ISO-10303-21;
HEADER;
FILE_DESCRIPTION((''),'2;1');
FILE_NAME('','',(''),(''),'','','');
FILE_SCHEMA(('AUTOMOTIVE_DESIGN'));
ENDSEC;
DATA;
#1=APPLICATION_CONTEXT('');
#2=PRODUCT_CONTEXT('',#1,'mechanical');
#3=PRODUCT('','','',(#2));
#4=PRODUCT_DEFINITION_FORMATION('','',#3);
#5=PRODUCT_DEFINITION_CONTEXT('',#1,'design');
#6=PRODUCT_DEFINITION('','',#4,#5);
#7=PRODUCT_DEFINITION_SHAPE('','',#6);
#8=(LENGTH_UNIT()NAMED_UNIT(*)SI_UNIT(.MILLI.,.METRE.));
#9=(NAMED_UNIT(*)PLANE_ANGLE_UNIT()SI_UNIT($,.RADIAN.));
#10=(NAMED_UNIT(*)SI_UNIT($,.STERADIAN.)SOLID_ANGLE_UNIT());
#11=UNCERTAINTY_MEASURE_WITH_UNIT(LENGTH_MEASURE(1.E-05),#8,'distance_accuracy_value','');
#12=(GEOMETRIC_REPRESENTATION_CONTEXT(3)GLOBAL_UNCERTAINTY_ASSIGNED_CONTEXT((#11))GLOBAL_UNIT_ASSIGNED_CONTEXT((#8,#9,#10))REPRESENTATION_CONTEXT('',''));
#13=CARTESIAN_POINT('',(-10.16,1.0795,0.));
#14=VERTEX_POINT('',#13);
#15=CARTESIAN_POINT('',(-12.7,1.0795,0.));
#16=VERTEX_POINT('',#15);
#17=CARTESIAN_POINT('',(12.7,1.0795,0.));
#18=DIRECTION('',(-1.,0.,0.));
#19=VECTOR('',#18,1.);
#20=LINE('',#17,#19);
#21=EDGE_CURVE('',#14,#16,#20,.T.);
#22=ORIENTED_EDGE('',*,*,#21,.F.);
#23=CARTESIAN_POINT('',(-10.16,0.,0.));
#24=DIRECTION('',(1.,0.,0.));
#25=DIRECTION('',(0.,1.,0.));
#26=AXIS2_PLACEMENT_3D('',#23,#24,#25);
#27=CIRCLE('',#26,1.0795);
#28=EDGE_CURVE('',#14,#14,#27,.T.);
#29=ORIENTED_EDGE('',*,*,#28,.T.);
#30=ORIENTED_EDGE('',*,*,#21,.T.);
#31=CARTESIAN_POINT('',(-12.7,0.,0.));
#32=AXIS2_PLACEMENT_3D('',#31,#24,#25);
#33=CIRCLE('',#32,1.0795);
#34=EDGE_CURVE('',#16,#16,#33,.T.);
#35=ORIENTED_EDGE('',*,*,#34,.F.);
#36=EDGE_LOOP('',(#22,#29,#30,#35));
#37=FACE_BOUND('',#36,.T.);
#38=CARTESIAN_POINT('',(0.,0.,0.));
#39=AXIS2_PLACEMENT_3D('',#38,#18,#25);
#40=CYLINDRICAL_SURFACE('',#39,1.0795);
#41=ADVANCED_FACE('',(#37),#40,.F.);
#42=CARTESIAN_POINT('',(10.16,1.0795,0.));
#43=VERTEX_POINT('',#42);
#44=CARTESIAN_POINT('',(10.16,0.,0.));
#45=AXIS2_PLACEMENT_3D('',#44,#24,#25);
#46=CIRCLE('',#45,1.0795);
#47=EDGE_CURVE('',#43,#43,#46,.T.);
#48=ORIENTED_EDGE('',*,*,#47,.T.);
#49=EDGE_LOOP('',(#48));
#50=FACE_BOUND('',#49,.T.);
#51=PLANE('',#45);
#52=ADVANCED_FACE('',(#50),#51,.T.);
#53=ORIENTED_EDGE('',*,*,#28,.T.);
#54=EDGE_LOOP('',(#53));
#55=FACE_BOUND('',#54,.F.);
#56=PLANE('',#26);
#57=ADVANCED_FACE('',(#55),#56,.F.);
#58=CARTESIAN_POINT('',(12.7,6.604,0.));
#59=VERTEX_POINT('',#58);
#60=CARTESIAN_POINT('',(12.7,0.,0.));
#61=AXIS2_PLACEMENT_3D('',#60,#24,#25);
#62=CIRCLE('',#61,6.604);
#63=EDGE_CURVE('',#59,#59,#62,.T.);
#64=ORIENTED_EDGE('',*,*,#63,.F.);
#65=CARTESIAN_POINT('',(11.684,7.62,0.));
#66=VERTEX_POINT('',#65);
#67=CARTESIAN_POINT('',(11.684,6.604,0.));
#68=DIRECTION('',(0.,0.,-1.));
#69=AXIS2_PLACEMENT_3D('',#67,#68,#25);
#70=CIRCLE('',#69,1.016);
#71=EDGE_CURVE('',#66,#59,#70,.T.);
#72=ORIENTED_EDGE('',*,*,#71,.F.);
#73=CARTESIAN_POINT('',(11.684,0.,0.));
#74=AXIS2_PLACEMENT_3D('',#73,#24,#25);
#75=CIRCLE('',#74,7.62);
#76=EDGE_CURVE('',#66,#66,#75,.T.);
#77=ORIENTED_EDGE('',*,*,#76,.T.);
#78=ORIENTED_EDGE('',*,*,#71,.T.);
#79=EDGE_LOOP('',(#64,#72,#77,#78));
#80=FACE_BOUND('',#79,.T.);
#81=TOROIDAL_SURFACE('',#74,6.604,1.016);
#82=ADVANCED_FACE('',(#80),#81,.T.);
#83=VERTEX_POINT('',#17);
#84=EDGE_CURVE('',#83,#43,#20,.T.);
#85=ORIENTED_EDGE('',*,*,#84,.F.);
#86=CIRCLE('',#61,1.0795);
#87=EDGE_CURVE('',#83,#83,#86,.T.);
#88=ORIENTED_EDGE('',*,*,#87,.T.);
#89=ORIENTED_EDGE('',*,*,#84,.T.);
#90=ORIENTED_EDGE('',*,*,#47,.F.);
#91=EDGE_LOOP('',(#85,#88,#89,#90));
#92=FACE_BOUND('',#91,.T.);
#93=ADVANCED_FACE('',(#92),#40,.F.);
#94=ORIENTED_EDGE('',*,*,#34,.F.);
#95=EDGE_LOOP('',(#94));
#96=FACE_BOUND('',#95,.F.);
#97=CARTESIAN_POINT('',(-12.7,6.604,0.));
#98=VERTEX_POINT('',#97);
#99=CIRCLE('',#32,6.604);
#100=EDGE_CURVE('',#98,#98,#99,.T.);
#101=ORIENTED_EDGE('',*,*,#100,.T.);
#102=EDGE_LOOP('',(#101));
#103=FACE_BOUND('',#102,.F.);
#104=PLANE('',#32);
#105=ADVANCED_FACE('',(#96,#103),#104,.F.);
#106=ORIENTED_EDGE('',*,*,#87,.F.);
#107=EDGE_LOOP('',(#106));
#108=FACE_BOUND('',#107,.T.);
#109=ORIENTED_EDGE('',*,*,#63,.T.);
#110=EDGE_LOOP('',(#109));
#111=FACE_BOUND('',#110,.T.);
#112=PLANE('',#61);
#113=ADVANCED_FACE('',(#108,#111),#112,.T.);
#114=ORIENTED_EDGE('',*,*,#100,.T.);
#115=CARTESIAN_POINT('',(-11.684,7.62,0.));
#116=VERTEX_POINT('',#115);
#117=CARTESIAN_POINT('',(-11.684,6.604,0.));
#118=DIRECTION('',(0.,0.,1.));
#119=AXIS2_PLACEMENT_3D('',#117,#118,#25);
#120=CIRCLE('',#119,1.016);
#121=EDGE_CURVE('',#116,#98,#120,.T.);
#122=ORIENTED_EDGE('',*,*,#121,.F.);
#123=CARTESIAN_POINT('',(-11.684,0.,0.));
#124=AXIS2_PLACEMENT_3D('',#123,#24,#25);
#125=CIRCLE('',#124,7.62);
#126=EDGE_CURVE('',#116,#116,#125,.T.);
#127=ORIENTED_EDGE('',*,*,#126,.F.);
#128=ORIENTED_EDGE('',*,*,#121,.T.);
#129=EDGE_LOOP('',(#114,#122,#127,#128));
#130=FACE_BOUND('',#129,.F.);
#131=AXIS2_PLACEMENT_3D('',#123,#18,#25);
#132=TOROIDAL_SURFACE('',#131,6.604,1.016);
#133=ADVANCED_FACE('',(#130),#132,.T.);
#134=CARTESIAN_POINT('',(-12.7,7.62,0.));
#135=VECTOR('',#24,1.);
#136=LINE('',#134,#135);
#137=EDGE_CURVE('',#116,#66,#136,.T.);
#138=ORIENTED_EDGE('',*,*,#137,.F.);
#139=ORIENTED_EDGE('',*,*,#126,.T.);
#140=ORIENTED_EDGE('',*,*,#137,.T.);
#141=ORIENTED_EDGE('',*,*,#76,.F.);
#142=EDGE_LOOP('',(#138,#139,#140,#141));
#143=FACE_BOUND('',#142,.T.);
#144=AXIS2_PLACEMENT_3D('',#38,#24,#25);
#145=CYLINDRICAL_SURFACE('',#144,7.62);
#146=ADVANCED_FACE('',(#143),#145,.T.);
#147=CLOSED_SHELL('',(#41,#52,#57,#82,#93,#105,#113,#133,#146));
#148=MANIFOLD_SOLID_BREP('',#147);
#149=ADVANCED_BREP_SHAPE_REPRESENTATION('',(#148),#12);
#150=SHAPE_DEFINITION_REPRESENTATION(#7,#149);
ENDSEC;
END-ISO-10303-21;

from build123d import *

# Parameters (mm, degrees)
F0_R     = 7.62
F0_R_2   = 1.0795
F1_DEPTH = 12.7
F2_DEPTH = 10.16
F3_R     = 1.016


with BuildPart() as f1:
    # F0 (on Right) → F1 (new body, symmetric)
    with BuildSketch(Plane.YZ):
        Circle(F0_R)
        Circle(F0_R_2, mode=Mode.SUBTRACT)
    extrude(amount=F1_DEPTH, both=True)

    # F0 (on Right) → F2 (join, symmetric)
    with BuildSketch(Plane.YZ):
        Circle(F0_R_2)
    extrude(amount=F2_DEPTH, both=True)

    # F3
    f3_edges = [f1.edges().sort_by_distance(p)[0] for p in [
        (12.7, -7.62, 0),
        (-12.7, -7.62, 0),
    ]]
    fillet(f3_edges, radius=F3_R)


solid = f1.part
